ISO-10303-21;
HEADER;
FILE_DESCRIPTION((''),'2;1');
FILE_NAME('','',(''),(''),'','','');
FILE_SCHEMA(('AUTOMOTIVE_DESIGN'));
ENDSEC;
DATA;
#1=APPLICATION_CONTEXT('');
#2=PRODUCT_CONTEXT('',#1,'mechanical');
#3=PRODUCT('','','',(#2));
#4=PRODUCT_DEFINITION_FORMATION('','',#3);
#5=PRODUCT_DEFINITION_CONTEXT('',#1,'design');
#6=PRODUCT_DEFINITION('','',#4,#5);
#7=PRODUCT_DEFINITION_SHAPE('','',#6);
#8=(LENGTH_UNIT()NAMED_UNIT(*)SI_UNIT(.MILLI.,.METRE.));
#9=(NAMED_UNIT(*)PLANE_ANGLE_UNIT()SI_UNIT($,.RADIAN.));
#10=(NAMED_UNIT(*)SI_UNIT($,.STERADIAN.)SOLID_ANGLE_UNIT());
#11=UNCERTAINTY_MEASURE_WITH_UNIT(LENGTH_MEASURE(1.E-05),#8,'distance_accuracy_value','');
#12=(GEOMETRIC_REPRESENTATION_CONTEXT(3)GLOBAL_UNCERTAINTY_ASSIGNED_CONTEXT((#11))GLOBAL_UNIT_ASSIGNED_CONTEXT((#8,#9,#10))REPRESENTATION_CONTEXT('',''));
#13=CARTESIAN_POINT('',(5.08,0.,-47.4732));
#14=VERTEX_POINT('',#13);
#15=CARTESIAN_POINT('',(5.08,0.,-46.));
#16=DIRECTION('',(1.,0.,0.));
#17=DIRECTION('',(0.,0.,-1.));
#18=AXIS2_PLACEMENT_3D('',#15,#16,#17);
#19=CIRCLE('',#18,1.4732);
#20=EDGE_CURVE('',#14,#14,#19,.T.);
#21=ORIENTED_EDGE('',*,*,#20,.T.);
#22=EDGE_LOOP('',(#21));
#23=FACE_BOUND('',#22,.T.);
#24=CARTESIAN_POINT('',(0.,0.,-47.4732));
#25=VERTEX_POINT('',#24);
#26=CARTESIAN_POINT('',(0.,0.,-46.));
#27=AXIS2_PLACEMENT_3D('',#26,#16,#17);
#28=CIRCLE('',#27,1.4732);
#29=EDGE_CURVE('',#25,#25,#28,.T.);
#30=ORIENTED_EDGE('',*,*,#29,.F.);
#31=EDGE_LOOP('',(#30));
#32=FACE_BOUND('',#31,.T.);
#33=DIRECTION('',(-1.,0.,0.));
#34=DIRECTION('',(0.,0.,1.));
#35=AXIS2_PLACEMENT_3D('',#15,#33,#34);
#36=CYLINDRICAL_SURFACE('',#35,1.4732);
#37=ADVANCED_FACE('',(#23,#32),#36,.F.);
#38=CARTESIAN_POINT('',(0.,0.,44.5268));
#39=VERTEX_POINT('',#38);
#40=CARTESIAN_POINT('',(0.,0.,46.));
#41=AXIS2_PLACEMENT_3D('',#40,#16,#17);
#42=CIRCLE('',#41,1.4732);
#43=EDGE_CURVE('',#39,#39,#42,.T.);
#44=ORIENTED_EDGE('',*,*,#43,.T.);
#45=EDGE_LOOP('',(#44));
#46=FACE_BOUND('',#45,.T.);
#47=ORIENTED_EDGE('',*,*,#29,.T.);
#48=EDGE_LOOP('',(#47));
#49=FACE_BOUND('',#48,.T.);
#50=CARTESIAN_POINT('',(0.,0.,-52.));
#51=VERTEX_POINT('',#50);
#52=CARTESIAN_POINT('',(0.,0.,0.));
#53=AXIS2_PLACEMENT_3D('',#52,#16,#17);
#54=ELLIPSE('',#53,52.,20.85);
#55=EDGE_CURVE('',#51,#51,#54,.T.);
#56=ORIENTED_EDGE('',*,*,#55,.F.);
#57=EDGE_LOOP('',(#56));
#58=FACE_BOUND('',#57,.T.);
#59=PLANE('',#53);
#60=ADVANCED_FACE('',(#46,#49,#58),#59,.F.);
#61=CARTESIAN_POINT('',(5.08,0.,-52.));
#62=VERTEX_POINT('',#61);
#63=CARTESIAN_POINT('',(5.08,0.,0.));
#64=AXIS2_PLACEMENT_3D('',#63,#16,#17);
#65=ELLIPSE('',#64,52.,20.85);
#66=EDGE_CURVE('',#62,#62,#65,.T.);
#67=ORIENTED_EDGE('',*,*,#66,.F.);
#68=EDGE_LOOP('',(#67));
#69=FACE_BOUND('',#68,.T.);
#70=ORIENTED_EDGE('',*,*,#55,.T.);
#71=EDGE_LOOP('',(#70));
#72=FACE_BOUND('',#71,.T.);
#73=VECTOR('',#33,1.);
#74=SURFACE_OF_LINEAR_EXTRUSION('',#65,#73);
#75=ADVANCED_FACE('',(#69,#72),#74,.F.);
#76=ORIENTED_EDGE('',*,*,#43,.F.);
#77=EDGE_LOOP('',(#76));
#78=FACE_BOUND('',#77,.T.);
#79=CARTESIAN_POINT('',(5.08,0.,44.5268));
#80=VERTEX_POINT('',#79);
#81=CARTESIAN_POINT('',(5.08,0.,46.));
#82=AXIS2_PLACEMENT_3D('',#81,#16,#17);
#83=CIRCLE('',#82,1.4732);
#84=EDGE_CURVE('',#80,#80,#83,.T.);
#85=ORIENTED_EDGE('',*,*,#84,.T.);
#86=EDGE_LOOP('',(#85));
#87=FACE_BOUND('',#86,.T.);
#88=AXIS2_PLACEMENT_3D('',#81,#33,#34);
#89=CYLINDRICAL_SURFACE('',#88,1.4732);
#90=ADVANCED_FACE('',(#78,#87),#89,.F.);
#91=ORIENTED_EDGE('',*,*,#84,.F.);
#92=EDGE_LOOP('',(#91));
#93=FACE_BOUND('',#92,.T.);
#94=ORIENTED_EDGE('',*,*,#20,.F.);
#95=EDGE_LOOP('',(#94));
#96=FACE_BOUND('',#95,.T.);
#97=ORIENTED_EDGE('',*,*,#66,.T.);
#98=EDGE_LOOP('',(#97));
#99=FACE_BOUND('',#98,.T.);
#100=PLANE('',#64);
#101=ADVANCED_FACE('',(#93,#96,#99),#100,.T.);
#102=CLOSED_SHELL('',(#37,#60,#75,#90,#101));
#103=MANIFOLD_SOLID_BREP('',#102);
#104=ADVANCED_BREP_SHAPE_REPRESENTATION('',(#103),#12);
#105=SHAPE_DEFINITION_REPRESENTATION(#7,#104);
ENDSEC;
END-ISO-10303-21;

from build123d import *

# Parameters (mm, degrees)
SKETCH1_RX          = 52
SKETCH1_RY          = 20.85
SKETCH1_R           = 1.4732
BOSS_EXTRUDE1_DEPTH = 5.08


with BuildPart() as part:
    # Sketch1 → Boss-Extrude1 (new body)
    with BuildSketch(Plane(origin=(0, 0, 0), x_dir=(0, 0, -1), z_dir=(1, 0, 0))):
        with Locations((0, 0)):
            Ellipse(SKETCH1_RX, SKETCH1_RY)
        with Locations((-46, 0)):
            Circle(SKETCH1_R, mode=Mode.SUBTRACT)
        with Locations((46, 0)):
            Circle(SKETCH1_R, mode=Mode.SUBTRACT)
    extrude(amount=BOSS_EXTRUDE1_DEPTH)


solid = part.part
